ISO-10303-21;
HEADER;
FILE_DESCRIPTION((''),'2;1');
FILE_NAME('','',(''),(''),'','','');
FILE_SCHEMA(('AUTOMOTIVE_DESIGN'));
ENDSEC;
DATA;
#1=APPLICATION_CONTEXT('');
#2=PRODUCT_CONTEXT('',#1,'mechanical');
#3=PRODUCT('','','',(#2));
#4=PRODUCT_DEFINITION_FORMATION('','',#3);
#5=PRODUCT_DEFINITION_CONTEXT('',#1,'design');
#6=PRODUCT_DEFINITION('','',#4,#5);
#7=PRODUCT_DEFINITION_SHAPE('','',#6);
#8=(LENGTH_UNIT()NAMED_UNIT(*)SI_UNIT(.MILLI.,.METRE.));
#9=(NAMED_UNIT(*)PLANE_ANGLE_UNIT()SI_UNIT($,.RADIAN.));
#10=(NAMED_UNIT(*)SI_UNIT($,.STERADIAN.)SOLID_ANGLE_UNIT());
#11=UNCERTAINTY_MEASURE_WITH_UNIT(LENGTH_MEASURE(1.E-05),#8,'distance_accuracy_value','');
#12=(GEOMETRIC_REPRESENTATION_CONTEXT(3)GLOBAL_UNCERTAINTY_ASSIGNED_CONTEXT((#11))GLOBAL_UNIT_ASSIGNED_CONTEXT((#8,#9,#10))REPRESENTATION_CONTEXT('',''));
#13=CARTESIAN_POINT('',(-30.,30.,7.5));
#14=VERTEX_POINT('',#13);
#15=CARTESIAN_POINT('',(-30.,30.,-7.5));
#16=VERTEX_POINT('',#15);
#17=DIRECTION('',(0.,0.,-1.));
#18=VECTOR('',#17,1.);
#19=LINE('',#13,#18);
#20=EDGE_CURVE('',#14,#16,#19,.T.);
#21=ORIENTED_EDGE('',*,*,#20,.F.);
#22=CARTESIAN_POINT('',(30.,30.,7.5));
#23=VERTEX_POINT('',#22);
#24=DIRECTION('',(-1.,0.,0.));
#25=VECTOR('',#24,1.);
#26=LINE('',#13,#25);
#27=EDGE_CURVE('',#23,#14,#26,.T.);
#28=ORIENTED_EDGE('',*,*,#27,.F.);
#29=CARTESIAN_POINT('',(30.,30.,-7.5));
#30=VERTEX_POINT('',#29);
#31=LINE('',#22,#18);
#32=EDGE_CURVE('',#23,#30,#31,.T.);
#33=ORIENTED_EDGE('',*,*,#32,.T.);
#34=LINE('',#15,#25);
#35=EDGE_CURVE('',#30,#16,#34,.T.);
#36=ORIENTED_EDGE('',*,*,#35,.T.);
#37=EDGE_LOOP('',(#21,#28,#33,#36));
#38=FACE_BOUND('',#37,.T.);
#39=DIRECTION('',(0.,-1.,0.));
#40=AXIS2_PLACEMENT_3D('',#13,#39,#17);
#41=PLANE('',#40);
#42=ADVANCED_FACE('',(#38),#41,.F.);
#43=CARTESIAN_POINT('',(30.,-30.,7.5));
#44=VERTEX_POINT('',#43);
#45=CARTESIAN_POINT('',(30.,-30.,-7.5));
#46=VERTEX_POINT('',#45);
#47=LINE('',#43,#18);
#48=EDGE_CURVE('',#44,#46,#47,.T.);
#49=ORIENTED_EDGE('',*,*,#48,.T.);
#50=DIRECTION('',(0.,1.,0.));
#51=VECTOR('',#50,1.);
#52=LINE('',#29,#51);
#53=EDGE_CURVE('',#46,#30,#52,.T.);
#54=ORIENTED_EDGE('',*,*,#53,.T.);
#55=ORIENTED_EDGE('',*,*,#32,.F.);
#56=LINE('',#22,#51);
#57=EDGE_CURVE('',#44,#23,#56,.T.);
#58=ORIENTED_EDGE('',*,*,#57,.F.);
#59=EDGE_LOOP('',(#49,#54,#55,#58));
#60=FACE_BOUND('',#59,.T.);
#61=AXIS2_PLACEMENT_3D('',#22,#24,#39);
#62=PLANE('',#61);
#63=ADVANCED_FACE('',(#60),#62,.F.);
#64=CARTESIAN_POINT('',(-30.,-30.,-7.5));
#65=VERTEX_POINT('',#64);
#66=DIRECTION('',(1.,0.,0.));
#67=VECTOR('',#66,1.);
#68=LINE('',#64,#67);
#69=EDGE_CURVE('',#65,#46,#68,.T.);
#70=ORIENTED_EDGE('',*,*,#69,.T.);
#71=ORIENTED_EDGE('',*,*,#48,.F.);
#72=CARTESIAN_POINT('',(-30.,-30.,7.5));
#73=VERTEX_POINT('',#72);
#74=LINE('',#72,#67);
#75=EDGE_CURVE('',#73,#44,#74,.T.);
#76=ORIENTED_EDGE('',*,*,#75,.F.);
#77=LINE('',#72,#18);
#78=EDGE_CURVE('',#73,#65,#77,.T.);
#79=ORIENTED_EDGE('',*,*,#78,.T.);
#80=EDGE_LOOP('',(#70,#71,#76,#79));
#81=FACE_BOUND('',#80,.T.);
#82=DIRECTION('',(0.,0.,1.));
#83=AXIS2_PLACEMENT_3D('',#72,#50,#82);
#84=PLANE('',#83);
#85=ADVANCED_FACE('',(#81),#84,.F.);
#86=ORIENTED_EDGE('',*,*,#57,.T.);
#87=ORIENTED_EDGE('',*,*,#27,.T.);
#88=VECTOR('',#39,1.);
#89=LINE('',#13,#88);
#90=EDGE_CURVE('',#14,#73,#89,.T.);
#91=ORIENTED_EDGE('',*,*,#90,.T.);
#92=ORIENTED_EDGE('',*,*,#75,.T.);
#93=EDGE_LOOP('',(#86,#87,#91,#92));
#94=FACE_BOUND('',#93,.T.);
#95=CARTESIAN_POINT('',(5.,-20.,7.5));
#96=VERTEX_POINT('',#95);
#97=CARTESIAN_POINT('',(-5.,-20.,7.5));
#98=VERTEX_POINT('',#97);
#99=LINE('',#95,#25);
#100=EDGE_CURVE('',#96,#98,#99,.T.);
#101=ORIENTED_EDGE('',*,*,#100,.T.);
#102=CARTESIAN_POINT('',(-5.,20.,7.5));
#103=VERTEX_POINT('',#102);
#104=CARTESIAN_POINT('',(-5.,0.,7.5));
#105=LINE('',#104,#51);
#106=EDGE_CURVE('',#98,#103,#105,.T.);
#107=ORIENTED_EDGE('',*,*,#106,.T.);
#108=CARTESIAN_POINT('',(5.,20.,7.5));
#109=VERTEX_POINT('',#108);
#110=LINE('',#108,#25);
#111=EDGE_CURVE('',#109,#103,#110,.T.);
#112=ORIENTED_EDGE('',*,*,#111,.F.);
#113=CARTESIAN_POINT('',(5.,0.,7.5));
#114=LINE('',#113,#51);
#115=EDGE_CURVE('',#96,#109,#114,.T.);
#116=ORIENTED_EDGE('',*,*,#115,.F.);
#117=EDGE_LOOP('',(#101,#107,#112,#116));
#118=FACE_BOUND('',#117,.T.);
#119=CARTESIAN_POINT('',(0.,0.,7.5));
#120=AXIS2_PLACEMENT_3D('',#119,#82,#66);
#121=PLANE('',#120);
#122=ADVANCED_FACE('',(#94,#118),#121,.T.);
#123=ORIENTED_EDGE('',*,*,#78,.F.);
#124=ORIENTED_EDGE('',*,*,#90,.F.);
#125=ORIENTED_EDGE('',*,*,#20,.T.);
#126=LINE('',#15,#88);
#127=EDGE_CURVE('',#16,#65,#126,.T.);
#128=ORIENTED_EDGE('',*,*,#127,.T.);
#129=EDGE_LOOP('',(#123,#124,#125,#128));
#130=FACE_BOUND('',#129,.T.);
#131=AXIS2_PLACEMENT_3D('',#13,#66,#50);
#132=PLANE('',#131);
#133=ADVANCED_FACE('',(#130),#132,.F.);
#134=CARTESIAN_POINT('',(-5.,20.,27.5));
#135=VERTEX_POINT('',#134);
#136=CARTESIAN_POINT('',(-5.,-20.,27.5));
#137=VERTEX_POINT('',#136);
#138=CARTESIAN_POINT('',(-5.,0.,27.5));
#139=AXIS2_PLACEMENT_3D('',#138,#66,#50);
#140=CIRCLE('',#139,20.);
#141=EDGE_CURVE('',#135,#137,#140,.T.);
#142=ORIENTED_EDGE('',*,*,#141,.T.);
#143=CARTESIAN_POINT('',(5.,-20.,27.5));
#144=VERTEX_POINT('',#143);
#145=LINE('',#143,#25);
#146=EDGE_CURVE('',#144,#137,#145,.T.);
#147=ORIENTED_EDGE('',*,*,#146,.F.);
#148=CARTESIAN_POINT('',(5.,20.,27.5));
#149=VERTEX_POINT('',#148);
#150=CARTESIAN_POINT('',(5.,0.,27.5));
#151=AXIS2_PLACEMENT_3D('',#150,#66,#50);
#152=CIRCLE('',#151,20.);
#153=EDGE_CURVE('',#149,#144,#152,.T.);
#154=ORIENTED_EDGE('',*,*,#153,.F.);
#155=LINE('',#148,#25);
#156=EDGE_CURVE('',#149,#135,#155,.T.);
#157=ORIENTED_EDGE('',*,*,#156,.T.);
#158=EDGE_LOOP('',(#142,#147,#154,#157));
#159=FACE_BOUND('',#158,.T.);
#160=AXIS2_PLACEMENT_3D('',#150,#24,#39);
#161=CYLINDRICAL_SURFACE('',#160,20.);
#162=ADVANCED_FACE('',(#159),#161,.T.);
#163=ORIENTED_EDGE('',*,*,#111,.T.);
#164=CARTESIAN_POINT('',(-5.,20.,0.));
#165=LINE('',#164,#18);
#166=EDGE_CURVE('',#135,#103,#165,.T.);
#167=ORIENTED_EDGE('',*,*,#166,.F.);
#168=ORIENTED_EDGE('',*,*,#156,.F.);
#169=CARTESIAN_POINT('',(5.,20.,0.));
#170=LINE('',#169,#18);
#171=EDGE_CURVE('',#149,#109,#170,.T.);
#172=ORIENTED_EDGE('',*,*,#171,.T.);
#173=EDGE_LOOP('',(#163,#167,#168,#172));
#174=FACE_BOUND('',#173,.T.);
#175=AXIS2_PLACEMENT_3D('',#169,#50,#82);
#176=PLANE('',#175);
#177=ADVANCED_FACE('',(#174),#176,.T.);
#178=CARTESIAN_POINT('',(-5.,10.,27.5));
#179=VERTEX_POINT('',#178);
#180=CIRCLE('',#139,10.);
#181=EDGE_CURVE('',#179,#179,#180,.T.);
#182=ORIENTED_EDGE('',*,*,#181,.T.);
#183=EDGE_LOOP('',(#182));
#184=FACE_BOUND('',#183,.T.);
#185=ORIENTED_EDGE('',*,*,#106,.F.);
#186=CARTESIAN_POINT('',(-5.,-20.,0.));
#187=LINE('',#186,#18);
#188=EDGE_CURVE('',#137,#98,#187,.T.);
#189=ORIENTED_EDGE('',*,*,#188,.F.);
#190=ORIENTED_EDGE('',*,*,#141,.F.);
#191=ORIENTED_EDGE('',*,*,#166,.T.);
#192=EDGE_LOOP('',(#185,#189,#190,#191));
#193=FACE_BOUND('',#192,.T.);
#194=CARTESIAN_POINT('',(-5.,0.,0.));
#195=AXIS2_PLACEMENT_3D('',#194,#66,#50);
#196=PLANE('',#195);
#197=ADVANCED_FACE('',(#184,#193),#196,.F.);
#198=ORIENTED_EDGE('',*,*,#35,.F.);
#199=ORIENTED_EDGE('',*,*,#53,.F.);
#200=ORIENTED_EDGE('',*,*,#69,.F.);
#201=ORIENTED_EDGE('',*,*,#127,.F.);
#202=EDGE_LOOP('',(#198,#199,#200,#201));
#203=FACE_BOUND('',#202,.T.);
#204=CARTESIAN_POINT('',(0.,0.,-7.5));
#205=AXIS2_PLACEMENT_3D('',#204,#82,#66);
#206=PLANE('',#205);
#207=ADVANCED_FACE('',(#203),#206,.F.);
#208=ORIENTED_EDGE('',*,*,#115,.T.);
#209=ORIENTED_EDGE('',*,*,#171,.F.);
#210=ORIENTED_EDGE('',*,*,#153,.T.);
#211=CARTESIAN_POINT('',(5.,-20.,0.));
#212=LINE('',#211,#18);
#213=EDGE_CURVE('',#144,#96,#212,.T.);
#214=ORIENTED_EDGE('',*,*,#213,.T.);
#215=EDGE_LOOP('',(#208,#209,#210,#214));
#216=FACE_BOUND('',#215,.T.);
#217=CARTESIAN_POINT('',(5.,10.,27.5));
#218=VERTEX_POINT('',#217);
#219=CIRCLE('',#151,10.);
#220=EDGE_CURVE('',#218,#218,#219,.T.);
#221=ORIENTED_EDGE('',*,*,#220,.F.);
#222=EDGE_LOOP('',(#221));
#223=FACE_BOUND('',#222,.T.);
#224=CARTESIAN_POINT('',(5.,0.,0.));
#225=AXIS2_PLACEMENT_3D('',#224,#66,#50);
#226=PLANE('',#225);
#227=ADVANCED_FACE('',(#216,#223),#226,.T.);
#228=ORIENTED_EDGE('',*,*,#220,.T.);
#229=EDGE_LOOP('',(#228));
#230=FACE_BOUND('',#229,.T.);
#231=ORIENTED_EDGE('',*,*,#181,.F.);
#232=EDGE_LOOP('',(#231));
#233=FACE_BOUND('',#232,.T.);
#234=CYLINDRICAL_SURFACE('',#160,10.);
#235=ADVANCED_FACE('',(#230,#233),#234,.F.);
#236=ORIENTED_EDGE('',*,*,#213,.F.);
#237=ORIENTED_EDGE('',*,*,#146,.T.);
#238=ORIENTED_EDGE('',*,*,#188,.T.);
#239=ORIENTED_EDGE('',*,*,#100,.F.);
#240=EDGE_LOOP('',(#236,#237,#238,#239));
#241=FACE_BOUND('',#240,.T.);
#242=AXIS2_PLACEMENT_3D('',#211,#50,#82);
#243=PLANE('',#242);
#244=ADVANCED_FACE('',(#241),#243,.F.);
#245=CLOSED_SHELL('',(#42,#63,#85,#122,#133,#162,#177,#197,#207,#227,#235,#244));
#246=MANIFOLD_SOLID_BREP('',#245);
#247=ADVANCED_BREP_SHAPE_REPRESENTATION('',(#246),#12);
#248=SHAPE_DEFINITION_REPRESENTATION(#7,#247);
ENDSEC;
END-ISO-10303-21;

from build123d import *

# Parameters (mm, degrees)
SKETCH1_W           = 60
SKETCH1_H           = 60
BOSS_EXTRUDE1_DEPTH = 7.5
SKETCH3_R           = 10
BOSS_EXTRUDE2_DEPTH = 5


with BuildPart() as part:
    # Sketch1 → Boss-Extrude1 (new body, symmetric)
    with BuildSketch(Plane.XY):
        Rectangle(SKETCH1_W, SKETCH1_H)
    extrude(amount=BOSS_EXTRUDE1_DEPTH, both=True)

    # Sketch3 → Boss-Extrude2 (add, symmetric)
    with BuildSketch(Plane(origin=(0, 0, 0), x_dir=(0, 0, -1), z_dir=(1, 0, 0))):
        with BuildLine():
            Line((-7.5, 20), (-27.5, 20))
            ThreePointArc((-27.5, 20), (-47.5, 0), (-27.5, -20))
            Line((-27.5, -20), (-7.5, -20))
            Line((-7.5, -20), (-7.5, 20))
        make_face()
        with Locations((-27.5, 0)):
            Circle(SKETCH3_R, mode=Mode.SUBTRACT)
    extrude(amount=BOSS_EXTRUDE2_DEPTH, both=True)


solid = part.part
